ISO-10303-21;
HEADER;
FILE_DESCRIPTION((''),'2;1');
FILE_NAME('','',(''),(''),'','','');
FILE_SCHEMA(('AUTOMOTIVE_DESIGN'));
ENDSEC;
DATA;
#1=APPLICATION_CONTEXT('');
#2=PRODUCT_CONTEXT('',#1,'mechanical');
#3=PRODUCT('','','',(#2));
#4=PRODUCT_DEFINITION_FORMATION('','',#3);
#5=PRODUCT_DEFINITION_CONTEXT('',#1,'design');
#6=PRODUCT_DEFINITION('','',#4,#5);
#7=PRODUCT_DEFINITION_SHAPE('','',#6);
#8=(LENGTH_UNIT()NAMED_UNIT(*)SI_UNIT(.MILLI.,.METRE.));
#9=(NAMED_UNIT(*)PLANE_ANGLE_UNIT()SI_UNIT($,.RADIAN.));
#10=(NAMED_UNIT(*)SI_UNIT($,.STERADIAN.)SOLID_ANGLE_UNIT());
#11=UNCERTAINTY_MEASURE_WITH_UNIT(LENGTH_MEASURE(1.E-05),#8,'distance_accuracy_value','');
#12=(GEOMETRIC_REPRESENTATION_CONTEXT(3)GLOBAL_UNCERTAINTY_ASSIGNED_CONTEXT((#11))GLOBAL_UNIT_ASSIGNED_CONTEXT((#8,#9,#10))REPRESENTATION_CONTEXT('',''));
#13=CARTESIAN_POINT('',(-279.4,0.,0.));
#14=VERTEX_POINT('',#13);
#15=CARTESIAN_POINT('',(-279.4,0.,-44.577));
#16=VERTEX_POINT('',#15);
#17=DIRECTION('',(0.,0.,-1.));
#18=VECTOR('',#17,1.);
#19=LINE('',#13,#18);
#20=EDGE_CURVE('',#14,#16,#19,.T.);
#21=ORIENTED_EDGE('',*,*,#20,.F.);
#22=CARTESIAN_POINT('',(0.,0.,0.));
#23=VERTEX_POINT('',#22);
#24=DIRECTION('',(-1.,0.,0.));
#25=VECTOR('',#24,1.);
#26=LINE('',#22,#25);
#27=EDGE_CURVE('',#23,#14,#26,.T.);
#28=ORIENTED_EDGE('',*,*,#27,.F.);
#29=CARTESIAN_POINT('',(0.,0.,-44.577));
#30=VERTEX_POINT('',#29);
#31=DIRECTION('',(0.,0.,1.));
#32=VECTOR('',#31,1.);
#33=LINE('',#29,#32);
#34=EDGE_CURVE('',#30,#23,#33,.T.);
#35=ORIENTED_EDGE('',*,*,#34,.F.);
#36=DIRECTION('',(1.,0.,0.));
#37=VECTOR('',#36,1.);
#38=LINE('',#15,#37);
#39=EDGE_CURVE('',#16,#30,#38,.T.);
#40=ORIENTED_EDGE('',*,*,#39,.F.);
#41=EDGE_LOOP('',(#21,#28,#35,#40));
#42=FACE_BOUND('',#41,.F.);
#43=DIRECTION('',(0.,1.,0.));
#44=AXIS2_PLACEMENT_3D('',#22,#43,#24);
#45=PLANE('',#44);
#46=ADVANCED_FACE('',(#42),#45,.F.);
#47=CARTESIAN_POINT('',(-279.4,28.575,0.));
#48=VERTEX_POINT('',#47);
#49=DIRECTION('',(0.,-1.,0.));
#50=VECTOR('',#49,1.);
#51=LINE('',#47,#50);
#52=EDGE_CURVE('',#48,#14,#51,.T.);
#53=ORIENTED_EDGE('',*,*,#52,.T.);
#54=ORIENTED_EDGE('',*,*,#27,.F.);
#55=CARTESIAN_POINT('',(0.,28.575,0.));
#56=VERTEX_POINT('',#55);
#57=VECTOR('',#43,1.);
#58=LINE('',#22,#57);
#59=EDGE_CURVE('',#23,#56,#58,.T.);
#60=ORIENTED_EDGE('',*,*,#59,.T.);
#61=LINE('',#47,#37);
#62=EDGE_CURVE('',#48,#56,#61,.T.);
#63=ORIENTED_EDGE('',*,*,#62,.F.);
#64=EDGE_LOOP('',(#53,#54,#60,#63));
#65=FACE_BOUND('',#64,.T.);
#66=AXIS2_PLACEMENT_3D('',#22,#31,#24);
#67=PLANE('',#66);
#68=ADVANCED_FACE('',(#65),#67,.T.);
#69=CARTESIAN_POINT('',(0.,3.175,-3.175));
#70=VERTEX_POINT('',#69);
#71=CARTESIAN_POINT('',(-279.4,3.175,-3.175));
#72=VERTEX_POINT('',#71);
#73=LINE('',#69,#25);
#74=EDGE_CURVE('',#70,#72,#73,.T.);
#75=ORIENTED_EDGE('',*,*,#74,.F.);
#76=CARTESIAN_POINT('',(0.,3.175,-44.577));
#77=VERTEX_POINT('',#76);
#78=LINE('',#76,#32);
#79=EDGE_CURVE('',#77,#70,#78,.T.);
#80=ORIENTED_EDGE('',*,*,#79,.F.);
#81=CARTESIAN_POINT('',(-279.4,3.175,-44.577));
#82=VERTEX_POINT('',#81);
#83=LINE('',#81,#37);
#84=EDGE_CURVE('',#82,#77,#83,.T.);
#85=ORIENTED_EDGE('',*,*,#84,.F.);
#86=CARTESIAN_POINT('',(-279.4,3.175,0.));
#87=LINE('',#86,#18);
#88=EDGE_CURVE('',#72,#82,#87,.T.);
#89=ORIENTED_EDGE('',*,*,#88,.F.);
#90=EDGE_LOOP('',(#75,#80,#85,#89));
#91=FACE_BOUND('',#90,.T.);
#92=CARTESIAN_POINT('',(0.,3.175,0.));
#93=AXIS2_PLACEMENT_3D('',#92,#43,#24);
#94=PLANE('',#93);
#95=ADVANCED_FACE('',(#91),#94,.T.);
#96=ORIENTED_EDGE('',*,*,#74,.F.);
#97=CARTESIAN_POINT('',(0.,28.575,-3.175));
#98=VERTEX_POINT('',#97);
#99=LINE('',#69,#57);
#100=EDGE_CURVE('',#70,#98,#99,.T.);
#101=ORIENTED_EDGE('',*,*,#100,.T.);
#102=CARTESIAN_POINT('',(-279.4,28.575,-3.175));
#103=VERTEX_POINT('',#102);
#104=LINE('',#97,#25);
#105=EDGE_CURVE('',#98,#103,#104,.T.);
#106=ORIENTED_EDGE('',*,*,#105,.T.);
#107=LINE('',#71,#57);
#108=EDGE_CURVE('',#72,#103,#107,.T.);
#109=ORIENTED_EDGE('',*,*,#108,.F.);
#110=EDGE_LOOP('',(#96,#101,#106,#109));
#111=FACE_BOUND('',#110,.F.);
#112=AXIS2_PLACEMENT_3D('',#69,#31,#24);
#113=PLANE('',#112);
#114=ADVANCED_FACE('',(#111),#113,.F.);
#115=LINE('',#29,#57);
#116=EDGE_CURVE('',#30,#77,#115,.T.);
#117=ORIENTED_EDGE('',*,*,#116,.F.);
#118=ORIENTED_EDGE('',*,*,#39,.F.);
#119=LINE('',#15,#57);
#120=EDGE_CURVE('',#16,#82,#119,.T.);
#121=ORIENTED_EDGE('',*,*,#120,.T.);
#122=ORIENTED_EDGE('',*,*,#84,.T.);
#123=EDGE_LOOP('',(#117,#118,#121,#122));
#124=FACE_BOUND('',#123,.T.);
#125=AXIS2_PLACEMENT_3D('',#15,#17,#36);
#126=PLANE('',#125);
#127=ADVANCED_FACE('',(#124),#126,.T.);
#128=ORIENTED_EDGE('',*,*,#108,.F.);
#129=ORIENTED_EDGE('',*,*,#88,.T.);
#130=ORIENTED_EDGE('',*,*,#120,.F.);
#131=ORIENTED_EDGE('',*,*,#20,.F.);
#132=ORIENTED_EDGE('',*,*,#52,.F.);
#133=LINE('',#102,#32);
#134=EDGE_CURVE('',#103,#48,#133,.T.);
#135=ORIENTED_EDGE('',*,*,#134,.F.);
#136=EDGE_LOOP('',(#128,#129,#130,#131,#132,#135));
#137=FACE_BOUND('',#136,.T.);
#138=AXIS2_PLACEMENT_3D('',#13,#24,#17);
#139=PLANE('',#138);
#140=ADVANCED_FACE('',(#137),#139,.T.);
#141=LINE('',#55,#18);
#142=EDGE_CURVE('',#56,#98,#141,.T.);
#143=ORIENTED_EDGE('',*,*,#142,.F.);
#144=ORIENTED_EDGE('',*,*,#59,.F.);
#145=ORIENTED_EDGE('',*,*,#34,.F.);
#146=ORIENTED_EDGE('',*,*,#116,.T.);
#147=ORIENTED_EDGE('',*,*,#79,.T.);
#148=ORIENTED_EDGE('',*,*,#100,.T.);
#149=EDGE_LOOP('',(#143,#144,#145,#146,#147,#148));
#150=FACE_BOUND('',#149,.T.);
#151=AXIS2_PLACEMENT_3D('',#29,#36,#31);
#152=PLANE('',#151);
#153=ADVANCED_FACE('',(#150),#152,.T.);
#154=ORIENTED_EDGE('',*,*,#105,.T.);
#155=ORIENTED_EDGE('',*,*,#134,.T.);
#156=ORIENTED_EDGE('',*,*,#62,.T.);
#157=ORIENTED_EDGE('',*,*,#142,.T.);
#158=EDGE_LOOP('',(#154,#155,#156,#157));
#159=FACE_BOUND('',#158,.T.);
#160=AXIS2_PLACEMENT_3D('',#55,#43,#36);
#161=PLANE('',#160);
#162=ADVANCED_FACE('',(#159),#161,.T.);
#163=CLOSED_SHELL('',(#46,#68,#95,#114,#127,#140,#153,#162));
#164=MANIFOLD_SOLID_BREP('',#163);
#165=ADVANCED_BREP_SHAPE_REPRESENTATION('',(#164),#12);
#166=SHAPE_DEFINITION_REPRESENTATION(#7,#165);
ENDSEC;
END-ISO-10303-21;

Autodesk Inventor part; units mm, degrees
ref_plane "YZ Plane" through (0, 0, 0) normal (1, 0, 0) x (0, 1, 0)
ref_plane "XZ Plane" through (0, 0, 0) normal (0, 1, 0) x (-1, 0, 0)
ref_plane "XY Plane" through (0, 0, 0) normal (0, 0, 1) x (1, 0, 0)
sketch "Sketch1" plane through (0, 0, 0) normal (0, 1, 0) x (-1, 0, 0)
  line L0 (0, 0) -> (279.4, 0)
  line L1 (279.4, 0) -> (279.4, -44.577)
  line L2 (279.4, -44.577) -> (0, -44.577)
  line L3 (0, -44.577) -> (0, 0)
  dimension "d0" = 279.4
  dimension "d1" = 44.577
extrude "Extrusion1" add sketch "Sketch1" along normal blind 3.175
sketch "Sketch2" plane through (0, 3.175, 0) normal (0, 1, 0) x (1, 0, 0)
  line L0 (-279.4, 0) -> (0, 0) projected
  line L1 (-279.4, 0) -> (0, 0)
  line L2 (0, 0) -> (0, 3.175)
  line L3 (0, 3.175) -> (-279.4, 3.175)
  line L4 (-279.4, 3.175) -> (-279.4, 0)
  dimension "d4" = 279.4
  dimension "d5" = 3.175
extrude "Extrusion2" add sketch "Sketch2" along normal blind 25.4
properties part number "angle iron without holes"
